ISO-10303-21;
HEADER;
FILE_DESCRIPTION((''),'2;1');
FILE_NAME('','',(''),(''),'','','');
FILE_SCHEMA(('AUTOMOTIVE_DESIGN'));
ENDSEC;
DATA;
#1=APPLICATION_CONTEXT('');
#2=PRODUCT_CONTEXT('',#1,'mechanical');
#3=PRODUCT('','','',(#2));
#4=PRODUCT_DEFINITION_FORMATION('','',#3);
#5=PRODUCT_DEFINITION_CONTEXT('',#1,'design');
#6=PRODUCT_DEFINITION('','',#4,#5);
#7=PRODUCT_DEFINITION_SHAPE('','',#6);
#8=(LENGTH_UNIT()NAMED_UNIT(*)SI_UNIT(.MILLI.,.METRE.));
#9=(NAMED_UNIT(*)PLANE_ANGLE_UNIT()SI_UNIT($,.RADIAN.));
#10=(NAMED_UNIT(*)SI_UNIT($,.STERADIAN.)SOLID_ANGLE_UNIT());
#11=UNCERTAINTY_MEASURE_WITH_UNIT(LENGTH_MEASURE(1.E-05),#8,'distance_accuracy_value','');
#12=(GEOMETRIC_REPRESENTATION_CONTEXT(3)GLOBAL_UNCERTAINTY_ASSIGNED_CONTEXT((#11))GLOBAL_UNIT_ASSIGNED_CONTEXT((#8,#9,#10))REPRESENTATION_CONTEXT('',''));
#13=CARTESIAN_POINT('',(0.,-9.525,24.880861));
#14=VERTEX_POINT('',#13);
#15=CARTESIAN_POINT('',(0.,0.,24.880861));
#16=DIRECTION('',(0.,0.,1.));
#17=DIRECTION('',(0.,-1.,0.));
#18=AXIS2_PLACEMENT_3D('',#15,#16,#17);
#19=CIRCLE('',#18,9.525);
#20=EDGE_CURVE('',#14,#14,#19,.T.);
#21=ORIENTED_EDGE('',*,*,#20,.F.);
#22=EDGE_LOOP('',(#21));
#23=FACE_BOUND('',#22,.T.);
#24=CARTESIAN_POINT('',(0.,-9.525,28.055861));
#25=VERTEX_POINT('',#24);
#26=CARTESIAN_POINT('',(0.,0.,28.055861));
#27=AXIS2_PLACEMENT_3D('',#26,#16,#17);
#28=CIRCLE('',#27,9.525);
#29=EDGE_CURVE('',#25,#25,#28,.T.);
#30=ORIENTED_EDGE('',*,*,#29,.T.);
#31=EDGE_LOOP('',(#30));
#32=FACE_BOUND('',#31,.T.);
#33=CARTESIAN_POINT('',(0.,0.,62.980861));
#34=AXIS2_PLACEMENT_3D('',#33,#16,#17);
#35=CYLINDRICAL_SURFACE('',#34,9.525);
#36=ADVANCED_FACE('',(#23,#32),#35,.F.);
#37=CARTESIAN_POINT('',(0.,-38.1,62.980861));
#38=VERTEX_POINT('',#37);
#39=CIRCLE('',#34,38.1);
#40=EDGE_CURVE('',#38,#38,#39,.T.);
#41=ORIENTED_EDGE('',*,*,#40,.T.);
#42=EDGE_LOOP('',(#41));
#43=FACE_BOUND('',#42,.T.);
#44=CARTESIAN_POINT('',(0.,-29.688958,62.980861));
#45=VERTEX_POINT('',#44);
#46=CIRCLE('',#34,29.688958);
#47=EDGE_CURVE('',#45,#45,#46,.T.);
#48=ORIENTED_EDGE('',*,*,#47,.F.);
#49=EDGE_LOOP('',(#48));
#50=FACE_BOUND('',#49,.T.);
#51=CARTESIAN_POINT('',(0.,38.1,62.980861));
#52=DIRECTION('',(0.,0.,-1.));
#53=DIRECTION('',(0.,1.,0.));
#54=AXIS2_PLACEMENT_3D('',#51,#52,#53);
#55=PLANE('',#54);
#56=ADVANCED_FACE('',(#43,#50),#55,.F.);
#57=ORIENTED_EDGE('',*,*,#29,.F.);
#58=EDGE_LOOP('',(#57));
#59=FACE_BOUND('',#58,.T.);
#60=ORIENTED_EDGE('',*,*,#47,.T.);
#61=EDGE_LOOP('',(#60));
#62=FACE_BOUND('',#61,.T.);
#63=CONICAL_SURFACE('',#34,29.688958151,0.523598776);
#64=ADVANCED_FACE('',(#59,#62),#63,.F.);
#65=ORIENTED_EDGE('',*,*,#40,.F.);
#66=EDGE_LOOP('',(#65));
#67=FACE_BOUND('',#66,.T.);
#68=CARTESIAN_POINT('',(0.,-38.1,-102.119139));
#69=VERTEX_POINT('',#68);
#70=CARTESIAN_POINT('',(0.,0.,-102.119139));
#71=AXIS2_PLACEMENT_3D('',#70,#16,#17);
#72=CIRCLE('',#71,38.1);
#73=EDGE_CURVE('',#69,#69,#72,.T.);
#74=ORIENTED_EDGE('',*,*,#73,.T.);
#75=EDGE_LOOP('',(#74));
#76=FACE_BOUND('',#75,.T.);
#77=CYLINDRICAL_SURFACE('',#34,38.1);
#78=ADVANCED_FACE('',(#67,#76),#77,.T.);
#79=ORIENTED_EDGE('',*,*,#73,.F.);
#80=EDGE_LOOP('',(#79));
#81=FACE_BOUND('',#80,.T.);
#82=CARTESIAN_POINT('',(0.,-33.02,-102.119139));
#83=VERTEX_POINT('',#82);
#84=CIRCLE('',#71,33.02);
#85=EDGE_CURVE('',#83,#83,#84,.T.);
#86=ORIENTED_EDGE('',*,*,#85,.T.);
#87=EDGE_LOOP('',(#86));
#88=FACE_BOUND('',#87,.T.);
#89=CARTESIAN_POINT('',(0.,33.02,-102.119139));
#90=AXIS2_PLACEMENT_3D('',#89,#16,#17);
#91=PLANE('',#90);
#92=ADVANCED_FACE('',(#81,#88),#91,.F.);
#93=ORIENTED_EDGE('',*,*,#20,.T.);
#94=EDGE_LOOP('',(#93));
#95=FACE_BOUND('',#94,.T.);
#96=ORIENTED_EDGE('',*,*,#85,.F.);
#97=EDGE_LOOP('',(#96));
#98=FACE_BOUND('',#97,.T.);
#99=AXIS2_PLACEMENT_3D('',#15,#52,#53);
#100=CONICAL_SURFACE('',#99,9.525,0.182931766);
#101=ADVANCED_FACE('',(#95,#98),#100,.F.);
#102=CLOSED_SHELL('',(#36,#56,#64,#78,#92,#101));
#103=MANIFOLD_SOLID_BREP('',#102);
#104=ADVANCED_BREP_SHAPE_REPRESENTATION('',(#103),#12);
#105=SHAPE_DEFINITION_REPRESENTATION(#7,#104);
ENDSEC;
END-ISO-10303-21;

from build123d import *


with BuildPart() as part:
    # Sketch1 → Revolve2 (revolve)
    with BuildSketch(Plane(origin=(0, 0, 0), x_dir=(0, 0, -1), z_dir=(1, 0, 0))):
        Polygon((-62.980861169, 29.688958151), (-28.055861169, 9.525), (-24.880861169, 9.525), (102.119138831, 33.02), (102.119138831, 38.1), (-62.980861169, 38.1), align=None)
    revolve(axis=Axis((0, 0, 62.980861169), (0, 0, -1)))


solid = part.part
